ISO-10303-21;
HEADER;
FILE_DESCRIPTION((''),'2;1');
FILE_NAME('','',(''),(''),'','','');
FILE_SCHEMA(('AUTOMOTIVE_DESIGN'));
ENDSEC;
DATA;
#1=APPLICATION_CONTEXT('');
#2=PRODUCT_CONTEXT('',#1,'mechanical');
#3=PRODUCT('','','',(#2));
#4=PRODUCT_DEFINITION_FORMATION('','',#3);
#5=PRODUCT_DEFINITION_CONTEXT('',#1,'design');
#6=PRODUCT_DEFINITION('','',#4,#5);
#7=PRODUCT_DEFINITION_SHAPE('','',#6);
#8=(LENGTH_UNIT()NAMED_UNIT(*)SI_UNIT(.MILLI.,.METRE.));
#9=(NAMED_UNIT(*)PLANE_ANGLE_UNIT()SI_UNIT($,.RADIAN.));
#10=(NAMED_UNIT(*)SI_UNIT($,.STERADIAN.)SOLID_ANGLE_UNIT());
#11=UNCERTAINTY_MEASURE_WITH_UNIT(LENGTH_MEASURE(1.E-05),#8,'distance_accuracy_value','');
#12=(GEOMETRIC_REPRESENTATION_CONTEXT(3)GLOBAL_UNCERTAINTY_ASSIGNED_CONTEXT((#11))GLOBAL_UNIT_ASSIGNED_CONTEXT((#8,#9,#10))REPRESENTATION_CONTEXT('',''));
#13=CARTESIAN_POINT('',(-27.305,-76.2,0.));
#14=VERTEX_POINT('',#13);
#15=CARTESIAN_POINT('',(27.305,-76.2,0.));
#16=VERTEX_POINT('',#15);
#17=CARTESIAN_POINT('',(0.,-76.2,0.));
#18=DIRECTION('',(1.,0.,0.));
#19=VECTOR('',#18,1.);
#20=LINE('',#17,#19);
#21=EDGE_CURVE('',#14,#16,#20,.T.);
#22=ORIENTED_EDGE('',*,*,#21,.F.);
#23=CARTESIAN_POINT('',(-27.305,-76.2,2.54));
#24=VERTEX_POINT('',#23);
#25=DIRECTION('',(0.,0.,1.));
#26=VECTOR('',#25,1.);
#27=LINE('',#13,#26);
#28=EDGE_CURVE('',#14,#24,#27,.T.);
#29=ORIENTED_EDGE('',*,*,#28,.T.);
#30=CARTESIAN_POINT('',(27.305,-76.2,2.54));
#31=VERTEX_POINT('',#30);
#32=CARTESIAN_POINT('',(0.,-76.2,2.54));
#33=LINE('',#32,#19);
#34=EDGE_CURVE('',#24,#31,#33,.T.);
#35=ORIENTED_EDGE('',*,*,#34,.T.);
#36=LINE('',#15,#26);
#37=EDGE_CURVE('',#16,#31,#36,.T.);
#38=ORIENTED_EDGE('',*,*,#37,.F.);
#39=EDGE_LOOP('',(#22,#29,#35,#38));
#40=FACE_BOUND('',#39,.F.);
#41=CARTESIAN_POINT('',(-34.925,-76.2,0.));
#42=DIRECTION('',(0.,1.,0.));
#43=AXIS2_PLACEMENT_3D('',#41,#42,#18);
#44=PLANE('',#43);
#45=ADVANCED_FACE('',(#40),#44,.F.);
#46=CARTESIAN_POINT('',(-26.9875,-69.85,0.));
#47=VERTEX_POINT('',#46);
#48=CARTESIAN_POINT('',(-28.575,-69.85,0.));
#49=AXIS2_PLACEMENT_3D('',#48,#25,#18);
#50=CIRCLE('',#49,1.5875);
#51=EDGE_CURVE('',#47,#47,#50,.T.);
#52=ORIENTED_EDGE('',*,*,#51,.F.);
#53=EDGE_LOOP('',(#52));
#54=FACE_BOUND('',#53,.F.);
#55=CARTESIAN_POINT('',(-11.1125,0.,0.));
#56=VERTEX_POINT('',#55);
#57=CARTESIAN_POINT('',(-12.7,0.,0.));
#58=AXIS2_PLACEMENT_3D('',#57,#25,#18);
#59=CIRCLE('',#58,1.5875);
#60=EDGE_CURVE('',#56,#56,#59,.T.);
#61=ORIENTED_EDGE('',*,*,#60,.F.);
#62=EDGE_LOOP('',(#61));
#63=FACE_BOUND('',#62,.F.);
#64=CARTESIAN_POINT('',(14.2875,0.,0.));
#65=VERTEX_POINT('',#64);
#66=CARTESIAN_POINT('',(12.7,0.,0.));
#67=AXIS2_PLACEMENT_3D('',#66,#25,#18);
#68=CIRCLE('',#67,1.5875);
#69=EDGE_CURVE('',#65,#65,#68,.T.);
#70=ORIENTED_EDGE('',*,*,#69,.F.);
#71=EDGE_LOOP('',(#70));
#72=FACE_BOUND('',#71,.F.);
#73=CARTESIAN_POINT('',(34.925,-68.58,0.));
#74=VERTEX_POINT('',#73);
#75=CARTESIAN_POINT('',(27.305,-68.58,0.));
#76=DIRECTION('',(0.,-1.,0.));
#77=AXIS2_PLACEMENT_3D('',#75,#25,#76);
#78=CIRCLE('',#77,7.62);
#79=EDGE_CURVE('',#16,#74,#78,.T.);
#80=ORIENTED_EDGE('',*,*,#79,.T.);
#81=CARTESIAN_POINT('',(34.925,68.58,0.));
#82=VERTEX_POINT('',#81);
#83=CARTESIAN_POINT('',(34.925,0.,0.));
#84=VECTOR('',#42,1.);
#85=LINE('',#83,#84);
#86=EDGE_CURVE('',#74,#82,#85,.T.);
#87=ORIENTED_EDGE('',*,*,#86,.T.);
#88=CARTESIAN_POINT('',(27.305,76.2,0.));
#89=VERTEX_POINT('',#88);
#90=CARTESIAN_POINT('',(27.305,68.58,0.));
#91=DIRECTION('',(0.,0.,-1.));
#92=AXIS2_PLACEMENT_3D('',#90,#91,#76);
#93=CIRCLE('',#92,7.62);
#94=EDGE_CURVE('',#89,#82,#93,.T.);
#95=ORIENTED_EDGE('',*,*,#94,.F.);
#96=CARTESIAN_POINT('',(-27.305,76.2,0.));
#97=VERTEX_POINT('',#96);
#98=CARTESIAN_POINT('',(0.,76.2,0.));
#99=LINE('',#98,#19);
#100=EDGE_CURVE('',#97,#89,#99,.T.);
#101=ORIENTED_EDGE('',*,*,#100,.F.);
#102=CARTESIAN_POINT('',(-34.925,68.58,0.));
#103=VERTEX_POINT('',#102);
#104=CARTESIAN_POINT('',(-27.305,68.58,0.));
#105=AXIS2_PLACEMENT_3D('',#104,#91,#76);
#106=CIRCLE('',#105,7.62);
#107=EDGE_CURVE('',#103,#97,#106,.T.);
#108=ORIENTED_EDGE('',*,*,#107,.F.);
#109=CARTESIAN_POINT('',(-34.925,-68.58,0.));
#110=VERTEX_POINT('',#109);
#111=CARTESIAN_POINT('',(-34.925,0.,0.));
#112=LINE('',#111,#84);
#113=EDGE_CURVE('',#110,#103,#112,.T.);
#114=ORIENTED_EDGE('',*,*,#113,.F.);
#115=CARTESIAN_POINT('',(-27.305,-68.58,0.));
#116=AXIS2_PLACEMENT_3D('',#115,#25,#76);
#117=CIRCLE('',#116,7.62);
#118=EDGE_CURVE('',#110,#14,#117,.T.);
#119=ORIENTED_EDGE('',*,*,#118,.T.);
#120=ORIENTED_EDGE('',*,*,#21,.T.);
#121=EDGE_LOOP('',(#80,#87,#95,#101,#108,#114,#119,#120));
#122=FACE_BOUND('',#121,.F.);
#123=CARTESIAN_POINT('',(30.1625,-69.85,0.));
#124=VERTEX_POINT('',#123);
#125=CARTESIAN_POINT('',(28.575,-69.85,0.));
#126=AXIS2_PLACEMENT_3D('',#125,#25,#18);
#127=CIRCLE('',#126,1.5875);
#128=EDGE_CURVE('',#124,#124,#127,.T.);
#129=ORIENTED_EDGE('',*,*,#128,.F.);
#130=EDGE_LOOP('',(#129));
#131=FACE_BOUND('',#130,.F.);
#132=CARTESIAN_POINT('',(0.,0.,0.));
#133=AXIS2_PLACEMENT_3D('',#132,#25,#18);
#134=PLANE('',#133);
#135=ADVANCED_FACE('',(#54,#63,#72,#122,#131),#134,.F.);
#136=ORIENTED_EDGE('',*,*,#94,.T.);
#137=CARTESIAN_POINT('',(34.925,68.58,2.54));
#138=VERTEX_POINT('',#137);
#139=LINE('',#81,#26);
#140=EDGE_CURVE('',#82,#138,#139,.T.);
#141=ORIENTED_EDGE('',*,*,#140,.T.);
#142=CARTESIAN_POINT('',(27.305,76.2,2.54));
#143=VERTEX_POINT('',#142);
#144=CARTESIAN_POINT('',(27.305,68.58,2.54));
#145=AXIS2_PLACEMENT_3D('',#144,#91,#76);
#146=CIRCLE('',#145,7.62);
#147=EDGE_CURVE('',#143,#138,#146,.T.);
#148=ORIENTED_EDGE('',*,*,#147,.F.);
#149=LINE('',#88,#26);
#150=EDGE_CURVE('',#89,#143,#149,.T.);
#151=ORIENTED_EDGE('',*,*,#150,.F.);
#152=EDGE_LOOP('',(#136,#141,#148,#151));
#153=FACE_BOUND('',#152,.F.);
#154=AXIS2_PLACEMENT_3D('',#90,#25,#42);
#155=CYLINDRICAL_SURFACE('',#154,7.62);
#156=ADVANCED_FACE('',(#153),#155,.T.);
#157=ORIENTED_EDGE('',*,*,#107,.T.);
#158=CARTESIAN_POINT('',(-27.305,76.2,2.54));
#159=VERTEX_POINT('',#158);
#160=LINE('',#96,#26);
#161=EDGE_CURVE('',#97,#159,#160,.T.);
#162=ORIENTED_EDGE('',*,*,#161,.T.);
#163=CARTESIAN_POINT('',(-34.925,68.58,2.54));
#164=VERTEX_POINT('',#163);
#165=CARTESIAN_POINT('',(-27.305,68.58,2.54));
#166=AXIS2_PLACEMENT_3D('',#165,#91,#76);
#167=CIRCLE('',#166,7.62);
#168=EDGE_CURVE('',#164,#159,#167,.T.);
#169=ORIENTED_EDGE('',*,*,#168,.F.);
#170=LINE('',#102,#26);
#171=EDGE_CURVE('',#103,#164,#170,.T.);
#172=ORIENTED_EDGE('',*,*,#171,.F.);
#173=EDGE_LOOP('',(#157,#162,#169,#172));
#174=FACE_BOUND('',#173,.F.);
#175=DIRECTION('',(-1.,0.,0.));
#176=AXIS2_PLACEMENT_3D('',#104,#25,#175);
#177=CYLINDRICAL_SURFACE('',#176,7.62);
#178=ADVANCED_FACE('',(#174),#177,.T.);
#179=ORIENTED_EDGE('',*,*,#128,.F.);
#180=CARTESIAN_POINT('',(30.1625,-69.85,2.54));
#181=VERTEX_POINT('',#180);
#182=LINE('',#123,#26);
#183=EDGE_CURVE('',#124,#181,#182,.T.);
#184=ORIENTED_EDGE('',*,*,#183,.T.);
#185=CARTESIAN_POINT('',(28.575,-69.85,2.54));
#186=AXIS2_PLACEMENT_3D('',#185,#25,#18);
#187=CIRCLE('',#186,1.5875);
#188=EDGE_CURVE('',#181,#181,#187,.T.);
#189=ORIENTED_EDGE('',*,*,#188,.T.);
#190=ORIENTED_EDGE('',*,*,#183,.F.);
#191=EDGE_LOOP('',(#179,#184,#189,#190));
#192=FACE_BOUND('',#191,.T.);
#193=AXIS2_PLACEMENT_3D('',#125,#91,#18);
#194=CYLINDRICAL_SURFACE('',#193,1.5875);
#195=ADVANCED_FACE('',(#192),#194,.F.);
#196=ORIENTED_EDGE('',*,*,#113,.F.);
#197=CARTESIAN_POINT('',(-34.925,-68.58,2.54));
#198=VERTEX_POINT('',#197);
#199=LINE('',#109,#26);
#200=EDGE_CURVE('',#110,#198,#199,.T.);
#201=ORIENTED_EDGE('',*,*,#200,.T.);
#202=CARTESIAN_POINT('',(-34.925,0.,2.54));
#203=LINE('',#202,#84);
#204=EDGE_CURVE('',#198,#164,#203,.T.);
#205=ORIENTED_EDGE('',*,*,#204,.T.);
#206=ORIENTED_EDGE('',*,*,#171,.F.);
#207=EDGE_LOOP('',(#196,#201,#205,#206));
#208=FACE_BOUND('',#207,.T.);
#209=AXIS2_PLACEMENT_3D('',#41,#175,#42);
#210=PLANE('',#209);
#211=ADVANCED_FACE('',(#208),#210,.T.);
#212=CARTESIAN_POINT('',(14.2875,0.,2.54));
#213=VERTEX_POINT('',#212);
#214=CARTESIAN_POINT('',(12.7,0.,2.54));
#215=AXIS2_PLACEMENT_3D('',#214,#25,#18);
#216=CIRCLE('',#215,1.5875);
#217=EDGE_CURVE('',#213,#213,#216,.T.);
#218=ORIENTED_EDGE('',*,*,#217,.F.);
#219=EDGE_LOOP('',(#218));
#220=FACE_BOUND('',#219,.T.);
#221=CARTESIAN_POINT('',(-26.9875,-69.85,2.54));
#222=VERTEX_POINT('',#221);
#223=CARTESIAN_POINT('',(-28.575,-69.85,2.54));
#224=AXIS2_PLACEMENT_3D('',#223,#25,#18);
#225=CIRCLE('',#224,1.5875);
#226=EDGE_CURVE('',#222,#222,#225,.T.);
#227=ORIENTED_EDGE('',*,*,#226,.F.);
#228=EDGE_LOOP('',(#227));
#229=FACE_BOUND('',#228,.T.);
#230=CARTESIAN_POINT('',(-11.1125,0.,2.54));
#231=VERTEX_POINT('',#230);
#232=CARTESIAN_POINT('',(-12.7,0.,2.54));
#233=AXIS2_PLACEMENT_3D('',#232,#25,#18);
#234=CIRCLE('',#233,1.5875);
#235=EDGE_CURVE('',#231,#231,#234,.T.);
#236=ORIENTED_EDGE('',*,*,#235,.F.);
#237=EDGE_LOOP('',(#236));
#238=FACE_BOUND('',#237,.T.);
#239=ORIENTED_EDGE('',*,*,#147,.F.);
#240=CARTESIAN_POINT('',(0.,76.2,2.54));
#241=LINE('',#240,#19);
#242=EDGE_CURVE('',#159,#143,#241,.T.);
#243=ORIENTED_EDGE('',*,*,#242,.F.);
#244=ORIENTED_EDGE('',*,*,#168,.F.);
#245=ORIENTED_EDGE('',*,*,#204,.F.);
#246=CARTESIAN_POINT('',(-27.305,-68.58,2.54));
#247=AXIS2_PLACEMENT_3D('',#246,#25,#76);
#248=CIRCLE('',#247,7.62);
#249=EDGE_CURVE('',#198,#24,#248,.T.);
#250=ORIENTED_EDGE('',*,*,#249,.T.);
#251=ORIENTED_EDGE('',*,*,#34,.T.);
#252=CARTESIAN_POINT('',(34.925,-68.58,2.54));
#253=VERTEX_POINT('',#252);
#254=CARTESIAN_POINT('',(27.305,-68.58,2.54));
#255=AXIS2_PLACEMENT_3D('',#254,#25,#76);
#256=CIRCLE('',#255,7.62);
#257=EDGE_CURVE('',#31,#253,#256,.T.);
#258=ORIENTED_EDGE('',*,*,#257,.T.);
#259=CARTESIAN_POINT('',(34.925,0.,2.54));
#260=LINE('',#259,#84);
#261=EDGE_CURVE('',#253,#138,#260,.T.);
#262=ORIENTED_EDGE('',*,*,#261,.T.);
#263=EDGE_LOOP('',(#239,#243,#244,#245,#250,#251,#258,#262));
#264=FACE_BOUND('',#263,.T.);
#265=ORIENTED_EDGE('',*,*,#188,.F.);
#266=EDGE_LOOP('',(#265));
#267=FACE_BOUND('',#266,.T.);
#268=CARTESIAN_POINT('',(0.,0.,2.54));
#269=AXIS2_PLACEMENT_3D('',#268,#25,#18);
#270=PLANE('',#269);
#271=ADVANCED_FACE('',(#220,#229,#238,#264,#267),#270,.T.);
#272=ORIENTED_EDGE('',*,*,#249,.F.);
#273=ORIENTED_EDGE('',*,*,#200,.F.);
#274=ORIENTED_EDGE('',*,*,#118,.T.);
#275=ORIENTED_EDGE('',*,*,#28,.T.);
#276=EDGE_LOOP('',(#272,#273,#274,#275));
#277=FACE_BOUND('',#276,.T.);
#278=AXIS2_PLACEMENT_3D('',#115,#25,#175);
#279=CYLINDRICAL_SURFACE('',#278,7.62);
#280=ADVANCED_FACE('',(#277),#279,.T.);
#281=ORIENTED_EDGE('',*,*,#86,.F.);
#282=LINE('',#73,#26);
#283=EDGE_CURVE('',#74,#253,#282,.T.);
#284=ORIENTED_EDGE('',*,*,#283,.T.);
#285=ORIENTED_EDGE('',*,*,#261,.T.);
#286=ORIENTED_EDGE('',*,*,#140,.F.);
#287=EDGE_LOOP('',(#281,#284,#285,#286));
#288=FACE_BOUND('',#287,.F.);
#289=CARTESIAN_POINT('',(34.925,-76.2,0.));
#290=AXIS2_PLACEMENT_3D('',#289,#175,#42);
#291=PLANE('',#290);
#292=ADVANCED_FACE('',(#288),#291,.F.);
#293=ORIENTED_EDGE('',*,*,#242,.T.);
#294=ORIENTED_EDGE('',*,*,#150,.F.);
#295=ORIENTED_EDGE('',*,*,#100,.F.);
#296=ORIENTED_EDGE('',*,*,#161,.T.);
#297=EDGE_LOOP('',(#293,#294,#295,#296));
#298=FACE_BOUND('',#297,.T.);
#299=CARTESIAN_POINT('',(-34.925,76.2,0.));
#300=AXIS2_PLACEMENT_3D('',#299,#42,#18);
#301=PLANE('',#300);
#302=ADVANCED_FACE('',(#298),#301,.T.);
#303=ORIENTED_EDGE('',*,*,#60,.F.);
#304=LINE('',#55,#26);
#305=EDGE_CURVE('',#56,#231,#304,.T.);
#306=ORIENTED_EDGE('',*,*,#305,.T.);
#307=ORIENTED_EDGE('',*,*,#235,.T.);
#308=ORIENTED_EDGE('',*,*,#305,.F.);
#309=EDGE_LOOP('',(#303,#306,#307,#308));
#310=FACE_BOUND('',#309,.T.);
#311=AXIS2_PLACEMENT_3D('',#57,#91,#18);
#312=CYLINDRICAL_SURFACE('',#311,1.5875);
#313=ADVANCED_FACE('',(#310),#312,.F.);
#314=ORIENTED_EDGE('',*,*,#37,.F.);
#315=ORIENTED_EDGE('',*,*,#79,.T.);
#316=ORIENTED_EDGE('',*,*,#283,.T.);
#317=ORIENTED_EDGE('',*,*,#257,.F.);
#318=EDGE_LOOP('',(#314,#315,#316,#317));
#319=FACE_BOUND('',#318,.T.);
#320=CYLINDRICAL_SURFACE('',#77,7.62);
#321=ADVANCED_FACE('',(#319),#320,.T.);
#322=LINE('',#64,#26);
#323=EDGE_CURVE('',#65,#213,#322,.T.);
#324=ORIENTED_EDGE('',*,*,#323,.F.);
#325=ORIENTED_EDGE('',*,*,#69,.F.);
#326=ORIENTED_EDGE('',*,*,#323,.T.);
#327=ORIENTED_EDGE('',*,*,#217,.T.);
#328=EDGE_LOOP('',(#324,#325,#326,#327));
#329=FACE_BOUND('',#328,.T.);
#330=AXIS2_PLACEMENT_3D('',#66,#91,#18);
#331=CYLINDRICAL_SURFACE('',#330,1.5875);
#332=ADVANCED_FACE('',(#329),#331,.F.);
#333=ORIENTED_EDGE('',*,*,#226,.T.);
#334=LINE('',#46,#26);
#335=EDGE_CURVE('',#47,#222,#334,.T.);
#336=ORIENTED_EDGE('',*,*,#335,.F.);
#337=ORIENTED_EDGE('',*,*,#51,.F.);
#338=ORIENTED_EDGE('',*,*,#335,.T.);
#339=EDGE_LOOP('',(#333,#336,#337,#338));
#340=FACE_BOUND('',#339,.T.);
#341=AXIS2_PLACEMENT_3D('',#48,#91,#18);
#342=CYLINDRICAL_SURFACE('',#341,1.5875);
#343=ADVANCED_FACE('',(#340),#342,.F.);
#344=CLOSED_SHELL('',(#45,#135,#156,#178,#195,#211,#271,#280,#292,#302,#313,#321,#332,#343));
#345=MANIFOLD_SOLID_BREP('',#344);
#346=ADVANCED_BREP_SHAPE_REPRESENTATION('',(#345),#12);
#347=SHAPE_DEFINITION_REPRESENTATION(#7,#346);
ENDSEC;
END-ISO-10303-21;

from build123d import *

# Parameters (mm, degrees)
F0_W     = 69.85
F0_H     = 152.4
F0_R     = 1.5875
F1_DEPTH = 2.54
F2_R     = 7.62


with BuildPart() as f1:
    # F0 (on Top) → F1 (new body)
    with BuildSketch(Plane.XY):
        Rectangle(F0_W, F0_H)
        with Locations((-28.575, -69.85)):
            Circle(F0_R, mode=Mode.SUBTRACT)
        with Locations((28.575, -69.85)):
            Circle(F0_R, mode=Mode.SUBTRACT)
        with Locations((-12.7, 0)):
            Circle(F0_R, mode=Mode.SUBTRACT)
        with Locations((12.7, 0)):
            Circle(F0_R, mode=Mode.SUBTRACT)
    extrude(amount=F1_DEPTH)

    # F2
    f2_edges = [f1.edges().sort_by_distance(p)[0] for p in [
        (-34.925, 76.2, 1.27),
        (34.925, 76.2, 1.27),
        (-34.925, -76.2, 1.27),
        (34.925, -76.2, 1.27),
    ]]
    fillet(f2_edges, radius=F2_R)


solid = f1.part
